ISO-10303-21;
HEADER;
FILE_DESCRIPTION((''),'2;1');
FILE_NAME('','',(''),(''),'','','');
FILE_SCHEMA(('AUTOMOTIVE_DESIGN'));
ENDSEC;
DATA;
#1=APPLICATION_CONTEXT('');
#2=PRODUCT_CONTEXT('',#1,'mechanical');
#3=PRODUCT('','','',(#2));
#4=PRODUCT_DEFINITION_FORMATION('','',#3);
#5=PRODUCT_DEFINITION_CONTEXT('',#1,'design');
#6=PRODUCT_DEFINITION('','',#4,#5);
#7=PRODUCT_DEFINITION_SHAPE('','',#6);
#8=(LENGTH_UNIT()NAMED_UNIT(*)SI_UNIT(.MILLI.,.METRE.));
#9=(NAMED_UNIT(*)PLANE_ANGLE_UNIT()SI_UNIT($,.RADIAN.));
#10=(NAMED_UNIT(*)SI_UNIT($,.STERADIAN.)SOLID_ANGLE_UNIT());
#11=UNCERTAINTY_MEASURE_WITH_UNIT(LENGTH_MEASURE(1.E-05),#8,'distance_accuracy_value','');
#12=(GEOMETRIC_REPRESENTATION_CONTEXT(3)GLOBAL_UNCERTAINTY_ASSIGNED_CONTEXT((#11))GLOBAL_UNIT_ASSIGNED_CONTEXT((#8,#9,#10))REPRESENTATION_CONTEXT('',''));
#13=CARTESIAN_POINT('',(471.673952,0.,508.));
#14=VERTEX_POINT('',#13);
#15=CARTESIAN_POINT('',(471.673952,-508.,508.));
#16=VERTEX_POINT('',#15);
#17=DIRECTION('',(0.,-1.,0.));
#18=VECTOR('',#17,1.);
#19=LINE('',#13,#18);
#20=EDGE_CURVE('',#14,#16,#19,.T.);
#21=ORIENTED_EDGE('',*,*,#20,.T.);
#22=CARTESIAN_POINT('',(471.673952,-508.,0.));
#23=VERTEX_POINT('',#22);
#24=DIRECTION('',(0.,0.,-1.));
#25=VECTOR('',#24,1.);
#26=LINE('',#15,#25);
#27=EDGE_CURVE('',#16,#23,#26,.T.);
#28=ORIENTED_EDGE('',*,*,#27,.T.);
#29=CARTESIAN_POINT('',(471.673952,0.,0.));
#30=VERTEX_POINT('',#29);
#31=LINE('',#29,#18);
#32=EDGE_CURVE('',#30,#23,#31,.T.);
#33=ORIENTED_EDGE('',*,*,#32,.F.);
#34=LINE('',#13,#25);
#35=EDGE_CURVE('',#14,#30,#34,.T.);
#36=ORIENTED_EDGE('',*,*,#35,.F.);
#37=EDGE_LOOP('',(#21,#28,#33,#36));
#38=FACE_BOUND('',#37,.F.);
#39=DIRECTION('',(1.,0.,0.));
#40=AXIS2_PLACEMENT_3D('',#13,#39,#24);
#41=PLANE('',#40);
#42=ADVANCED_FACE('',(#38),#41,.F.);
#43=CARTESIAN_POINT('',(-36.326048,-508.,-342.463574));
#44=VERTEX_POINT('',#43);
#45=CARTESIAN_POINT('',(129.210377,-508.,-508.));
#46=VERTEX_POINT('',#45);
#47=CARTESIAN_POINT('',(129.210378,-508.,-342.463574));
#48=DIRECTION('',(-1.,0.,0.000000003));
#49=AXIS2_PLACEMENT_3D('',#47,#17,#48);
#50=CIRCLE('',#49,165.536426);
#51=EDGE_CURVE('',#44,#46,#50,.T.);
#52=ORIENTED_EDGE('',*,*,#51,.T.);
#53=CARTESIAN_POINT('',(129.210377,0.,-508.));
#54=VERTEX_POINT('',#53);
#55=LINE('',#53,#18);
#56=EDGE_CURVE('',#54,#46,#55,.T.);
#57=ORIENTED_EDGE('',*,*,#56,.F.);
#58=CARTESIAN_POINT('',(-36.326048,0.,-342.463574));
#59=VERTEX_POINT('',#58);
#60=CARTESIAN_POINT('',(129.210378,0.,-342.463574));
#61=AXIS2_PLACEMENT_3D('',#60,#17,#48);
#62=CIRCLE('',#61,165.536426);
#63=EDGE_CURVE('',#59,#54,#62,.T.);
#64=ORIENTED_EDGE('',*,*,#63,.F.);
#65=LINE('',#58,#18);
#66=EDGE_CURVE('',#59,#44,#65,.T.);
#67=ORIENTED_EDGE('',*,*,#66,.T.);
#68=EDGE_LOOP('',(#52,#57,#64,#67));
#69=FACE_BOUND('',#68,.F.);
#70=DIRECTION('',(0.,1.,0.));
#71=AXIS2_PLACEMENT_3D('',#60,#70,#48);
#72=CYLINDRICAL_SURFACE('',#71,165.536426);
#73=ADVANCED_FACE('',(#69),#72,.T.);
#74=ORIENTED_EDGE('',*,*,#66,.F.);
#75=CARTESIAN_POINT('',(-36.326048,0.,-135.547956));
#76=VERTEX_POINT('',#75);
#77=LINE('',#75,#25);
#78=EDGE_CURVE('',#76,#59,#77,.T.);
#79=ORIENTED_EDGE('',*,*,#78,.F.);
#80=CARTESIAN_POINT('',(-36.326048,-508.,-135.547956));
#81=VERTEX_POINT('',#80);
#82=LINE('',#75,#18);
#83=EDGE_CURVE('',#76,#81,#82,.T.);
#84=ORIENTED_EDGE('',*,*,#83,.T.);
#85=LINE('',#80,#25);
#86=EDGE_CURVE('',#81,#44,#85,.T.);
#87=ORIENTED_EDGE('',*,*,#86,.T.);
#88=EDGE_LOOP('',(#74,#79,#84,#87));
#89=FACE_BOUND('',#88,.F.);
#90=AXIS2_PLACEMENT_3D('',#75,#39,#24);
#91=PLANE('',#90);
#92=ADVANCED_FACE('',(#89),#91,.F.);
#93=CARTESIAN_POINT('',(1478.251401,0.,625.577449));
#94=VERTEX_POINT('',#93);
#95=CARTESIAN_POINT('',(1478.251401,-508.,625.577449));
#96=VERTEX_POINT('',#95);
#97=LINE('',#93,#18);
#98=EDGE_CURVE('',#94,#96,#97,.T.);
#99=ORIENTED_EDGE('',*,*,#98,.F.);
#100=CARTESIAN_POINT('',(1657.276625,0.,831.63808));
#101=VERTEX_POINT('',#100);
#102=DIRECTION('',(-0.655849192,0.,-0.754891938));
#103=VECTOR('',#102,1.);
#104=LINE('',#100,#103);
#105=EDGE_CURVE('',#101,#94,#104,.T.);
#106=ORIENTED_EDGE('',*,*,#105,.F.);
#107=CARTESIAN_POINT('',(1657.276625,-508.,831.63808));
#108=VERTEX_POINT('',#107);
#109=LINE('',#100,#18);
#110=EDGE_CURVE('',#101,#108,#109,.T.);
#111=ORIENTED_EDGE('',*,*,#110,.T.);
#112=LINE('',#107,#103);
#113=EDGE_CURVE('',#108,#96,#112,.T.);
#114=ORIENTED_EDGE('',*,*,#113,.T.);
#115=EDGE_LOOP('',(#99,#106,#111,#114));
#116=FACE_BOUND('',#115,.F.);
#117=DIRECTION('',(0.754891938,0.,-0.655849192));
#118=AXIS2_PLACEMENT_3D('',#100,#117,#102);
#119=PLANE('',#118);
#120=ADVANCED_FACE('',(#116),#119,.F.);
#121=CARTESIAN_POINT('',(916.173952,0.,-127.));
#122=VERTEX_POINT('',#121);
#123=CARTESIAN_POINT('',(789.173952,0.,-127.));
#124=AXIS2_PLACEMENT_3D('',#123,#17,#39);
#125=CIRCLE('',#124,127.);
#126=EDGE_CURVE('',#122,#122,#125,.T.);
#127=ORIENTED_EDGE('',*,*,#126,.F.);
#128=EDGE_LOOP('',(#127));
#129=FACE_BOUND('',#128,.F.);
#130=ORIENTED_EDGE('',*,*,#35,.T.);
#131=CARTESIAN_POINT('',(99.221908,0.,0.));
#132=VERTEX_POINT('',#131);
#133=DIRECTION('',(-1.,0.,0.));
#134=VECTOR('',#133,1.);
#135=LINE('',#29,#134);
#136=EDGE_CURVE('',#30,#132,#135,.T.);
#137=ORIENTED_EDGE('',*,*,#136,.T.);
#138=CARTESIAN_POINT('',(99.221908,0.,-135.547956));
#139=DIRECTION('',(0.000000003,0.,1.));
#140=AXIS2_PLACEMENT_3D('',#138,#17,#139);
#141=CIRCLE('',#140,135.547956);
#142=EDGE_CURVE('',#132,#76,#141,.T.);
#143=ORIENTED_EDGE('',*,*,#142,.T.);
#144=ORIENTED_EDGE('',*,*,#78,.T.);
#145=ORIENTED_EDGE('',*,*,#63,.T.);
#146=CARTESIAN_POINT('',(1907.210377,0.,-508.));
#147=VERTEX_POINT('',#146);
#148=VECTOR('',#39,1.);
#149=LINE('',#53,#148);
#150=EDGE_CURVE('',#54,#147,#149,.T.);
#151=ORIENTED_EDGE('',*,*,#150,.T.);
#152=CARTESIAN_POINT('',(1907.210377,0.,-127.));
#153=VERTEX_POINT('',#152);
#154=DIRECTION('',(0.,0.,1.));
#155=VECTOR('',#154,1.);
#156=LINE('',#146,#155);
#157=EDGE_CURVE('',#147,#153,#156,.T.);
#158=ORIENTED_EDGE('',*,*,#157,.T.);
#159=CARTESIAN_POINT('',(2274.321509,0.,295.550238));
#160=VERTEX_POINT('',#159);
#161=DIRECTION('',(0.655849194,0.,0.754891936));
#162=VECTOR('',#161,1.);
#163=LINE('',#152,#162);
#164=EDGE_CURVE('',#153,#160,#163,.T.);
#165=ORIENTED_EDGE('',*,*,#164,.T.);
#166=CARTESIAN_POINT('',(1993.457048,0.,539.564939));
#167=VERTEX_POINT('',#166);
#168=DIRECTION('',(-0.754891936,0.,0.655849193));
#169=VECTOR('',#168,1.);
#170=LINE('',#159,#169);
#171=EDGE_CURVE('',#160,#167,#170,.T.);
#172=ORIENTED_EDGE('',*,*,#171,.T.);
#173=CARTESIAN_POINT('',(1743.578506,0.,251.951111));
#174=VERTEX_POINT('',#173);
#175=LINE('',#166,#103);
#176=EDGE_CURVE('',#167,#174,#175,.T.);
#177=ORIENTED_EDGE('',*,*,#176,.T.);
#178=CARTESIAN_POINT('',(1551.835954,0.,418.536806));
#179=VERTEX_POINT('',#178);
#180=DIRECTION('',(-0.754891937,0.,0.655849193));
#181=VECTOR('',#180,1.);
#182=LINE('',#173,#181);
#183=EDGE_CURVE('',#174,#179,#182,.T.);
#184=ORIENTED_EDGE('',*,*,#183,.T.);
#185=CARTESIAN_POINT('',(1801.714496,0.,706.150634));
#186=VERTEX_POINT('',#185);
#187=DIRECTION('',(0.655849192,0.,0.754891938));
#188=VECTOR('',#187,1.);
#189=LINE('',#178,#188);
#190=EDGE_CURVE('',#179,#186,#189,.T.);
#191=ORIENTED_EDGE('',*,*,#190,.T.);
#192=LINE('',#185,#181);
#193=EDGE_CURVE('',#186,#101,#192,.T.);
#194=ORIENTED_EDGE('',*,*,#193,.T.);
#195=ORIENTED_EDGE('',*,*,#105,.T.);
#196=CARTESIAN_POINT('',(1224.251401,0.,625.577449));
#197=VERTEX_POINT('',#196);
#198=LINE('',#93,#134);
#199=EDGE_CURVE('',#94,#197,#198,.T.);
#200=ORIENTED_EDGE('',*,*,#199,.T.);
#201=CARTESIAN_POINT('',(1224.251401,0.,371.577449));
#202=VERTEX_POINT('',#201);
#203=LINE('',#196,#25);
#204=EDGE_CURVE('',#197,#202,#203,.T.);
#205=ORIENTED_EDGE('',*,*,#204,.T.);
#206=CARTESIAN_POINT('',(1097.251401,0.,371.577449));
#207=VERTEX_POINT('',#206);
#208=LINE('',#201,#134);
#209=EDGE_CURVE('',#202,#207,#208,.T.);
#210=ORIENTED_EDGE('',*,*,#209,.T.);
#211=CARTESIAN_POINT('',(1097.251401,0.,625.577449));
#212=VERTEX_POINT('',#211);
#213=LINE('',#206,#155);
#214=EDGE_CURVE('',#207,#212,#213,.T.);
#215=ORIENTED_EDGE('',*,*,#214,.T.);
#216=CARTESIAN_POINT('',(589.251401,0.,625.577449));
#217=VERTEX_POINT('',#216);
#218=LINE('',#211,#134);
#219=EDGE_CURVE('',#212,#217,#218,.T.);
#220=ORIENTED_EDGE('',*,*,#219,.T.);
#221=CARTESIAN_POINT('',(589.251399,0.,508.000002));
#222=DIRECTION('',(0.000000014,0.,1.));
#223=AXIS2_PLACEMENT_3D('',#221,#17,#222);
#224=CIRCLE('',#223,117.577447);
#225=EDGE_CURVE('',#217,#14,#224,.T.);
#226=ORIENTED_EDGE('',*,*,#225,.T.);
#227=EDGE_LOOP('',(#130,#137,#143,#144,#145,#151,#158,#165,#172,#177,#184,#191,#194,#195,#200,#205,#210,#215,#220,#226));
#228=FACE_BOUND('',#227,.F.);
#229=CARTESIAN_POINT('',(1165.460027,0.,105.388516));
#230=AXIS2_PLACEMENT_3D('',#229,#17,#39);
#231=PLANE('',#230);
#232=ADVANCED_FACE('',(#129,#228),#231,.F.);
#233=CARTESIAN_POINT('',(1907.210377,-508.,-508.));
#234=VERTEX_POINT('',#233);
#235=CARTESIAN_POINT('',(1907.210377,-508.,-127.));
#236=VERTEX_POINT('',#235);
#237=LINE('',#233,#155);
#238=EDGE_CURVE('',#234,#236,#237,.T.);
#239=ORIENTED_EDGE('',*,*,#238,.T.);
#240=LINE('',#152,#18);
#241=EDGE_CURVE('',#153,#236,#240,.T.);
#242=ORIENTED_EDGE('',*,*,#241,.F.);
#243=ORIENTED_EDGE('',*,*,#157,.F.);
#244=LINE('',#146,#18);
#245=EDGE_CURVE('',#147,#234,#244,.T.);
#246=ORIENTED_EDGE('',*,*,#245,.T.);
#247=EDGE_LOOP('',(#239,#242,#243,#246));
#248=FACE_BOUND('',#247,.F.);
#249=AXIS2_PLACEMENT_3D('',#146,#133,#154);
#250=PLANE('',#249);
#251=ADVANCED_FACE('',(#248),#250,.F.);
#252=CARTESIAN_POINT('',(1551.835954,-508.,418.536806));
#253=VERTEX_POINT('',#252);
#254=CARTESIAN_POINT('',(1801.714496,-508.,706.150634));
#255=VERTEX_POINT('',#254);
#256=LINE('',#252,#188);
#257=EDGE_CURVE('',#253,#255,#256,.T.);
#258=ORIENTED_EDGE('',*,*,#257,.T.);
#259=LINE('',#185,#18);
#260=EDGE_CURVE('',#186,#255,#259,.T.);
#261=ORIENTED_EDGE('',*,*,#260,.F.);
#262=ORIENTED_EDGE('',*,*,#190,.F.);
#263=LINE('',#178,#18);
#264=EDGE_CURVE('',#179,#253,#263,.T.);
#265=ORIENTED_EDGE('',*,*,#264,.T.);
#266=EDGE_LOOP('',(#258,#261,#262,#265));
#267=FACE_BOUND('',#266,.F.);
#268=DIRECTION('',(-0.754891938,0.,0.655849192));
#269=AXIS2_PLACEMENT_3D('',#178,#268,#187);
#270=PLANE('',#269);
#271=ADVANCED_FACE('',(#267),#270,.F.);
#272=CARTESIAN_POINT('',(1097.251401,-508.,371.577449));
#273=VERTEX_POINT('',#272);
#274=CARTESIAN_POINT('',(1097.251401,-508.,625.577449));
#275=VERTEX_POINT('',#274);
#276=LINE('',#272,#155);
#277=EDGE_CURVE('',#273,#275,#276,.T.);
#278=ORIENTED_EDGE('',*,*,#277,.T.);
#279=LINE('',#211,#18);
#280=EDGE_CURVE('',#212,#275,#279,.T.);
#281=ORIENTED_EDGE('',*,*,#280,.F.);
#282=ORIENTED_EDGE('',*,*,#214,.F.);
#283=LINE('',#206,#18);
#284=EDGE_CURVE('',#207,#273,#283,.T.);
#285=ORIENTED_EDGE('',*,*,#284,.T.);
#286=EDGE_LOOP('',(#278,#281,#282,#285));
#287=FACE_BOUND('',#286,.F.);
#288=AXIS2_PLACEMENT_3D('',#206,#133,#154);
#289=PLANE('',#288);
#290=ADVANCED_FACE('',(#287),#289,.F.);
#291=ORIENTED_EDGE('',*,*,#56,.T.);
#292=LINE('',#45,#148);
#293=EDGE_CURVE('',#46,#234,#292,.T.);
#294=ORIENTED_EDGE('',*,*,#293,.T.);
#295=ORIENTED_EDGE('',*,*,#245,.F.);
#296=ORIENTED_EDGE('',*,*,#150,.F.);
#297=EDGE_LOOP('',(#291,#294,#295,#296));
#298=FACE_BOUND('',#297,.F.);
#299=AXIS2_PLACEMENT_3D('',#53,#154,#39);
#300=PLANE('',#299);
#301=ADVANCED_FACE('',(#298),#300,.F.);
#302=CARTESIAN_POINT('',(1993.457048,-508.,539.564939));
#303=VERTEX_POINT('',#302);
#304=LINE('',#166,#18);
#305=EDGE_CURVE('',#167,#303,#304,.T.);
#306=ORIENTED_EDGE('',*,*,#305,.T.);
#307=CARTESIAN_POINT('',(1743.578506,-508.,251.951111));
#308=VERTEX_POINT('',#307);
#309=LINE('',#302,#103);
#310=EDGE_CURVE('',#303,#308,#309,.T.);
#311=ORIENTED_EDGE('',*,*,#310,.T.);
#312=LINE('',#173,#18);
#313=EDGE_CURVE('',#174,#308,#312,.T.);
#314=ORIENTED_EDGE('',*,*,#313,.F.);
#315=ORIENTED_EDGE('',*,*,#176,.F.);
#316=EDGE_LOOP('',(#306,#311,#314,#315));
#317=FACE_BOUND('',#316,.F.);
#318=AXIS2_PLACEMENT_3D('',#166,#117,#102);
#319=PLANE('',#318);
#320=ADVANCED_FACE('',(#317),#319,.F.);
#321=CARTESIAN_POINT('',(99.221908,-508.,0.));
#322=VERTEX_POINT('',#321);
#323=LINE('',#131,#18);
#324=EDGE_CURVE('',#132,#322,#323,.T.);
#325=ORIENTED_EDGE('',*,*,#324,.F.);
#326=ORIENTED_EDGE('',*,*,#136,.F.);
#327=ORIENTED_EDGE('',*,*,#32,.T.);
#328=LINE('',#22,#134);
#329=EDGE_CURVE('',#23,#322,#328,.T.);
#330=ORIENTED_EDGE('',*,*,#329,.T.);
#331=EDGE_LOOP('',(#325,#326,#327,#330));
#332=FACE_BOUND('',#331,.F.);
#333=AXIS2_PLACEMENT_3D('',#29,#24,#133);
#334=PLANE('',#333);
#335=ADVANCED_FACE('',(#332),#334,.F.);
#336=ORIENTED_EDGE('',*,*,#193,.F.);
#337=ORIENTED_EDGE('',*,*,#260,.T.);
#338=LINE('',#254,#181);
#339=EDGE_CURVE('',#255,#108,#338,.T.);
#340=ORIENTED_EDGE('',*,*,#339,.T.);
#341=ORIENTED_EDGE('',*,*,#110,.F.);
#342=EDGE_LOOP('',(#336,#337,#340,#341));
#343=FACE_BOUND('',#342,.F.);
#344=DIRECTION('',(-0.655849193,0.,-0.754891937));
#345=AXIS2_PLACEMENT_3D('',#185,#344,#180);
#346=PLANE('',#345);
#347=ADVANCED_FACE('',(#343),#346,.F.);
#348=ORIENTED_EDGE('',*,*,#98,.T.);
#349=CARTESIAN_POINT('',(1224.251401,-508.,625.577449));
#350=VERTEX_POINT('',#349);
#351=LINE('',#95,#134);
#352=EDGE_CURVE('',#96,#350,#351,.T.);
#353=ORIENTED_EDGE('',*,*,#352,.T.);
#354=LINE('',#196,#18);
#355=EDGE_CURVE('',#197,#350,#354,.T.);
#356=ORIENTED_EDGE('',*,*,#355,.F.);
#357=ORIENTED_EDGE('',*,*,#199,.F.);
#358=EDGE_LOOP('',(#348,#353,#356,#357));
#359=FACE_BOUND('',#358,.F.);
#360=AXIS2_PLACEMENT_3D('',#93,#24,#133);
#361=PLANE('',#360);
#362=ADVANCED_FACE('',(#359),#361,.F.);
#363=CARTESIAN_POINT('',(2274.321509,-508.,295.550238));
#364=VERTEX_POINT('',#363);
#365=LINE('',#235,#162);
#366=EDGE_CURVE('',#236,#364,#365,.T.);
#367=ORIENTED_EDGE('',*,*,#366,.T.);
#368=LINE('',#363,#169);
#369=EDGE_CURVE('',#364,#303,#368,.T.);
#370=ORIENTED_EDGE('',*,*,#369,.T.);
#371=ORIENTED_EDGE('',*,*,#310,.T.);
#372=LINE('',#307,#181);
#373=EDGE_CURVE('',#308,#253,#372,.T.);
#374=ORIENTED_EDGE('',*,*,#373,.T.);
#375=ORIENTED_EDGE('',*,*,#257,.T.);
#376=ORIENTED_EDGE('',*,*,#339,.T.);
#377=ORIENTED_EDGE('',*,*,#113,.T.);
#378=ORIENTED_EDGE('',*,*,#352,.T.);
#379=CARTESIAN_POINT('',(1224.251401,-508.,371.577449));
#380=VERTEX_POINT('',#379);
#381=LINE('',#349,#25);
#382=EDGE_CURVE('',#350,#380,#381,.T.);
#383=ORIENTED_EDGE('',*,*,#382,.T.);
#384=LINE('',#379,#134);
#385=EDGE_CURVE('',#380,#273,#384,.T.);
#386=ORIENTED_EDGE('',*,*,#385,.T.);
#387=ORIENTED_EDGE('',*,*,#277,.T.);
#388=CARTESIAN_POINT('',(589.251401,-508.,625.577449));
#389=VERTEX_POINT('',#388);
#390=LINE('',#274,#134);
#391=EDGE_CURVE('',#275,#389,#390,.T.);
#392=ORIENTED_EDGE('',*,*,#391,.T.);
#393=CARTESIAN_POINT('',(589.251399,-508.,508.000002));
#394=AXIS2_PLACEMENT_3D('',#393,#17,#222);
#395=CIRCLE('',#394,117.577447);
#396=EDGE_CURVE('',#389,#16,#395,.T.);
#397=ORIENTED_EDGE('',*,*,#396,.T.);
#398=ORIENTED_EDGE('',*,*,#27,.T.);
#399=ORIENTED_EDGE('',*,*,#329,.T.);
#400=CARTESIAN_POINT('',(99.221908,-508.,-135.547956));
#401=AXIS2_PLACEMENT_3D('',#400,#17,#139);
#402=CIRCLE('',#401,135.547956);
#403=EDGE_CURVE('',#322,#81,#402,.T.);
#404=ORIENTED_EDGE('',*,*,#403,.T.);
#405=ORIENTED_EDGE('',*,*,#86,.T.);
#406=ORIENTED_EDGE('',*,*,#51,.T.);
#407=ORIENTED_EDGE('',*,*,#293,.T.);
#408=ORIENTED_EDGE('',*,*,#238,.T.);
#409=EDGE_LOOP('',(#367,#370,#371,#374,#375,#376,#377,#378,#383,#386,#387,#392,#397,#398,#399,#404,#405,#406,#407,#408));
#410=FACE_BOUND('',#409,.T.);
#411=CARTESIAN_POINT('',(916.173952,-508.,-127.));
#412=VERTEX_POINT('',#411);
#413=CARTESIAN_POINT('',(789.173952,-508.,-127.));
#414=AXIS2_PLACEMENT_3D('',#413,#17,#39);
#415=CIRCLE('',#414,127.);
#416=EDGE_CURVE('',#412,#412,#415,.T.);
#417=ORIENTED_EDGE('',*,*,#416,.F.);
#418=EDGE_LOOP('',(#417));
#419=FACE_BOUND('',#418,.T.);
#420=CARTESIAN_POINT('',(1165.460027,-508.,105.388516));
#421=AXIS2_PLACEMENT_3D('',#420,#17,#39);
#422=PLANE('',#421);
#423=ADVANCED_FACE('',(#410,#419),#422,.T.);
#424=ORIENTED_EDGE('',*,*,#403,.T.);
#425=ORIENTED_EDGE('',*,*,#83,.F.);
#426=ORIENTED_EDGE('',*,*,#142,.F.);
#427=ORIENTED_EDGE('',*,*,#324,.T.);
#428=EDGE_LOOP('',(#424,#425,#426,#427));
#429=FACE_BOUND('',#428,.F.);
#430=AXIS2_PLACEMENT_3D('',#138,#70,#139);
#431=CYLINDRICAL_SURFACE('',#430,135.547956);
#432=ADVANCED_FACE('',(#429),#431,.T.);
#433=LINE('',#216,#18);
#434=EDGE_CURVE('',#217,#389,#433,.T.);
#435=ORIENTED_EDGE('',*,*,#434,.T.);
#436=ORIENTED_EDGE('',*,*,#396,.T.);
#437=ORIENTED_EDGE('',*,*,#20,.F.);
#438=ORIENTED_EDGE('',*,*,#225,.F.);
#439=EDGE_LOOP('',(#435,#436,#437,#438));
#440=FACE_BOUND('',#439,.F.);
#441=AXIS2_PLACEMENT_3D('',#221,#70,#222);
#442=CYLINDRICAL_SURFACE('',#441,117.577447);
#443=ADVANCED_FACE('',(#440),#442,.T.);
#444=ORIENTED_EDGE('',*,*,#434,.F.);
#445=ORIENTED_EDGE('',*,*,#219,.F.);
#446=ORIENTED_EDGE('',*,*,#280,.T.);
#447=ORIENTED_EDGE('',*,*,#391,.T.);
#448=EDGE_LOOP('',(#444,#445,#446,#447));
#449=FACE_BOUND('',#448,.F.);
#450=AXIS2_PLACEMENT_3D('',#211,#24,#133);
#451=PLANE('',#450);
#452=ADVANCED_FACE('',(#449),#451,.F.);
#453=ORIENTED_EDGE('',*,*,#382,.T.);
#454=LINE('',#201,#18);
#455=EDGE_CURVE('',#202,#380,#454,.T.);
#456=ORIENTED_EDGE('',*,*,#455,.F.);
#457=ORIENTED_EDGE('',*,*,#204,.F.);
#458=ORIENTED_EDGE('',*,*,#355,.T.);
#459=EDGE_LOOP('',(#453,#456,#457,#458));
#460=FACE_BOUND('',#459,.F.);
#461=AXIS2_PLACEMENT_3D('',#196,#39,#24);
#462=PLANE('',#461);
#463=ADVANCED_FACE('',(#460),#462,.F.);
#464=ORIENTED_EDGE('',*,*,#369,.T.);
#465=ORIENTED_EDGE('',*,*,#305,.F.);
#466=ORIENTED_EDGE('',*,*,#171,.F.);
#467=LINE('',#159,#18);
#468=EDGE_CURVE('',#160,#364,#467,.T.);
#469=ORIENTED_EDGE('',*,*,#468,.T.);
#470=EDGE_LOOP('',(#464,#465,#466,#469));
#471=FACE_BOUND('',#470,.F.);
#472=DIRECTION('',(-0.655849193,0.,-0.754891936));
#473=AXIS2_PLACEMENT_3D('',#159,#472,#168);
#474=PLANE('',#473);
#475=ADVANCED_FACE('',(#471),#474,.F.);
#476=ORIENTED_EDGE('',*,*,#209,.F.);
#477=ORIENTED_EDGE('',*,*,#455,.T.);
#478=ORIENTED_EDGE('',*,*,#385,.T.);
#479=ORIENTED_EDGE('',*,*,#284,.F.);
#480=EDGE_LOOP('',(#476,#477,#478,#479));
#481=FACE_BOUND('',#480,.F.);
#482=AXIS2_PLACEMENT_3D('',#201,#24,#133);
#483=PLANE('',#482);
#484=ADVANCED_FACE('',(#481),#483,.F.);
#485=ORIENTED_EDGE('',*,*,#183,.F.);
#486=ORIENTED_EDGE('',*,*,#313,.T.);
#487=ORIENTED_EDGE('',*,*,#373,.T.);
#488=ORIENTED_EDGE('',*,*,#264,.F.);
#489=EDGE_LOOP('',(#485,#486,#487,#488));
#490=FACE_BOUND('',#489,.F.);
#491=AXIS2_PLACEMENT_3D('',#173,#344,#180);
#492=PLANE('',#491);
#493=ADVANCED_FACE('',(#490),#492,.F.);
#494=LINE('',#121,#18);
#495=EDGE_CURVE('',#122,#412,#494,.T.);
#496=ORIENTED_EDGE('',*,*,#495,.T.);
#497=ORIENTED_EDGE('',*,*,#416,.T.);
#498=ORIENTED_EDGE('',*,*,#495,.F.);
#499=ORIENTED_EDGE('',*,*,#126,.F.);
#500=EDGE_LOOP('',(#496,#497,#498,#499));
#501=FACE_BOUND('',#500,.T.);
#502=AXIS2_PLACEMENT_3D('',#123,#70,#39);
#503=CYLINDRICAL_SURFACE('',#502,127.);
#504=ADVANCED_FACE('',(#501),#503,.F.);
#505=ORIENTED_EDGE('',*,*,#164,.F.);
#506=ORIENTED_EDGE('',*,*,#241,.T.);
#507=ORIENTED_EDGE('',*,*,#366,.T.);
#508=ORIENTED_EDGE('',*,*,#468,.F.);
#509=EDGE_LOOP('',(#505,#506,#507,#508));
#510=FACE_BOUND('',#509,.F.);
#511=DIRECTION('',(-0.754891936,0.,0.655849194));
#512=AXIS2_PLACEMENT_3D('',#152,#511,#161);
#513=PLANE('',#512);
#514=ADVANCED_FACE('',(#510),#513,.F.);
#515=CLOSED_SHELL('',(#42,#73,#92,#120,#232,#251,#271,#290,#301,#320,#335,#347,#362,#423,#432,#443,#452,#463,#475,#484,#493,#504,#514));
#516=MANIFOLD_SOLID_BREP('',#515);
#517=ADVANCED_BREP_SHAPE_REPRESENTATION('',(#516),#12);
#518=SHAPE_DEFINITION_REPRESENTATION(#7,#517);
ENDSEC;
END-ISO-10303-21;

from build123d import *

# Parameters (mm, degrees)
F0_R     = 127
F1_DEPTH = 508


with BuildPart() as f1:
    # F0 (on Front) → F1 (new body)
    with BuildSketch(Plane.XZ):
        with BuildLine():
            ThreePointArc((99.221908, 0), (3.375029, -39.701077), (-36.326048, -135.547956))
            Line((-36.326048, -135.547956), (-36.326048, -342.463574))
            ThreePointArc((-36.326048, -342.463574), (12.158448, -459.515503), (129.210377, -508))
            Line((129.210377, -508), (1907.210377, -508))
            Line((1907.210377, -508), (1907.210377, -127))
            Line((1907.210377, -127), (2274.321509, 295.550238))
            Line((2274.321509, 295.550238), (1993.457048, 539.564939))
            Line((1993.457048, 539.564939), (1743.578506, 251.951111))
            Line((1743.578506, 251.951111), (1551.835954, 418.536806))
            Line((1551.835954, 418.536806), (1801.714496, 706.150634))
            Line((1801.714496, 706.150634), (1657.276625, 831.63808))
            Line((1657.276625, 831.63808), (1478.251401, 625.577449))
            Line((1478.251401, 625.577449), (1224.251401, 625.577449))
            Line((1224.251401, 625.577449), (1224.251401, 371.577449))
            Line((1224.251401, 371.577449), (1097.251401, 371.577449))
            Line((1097.251401, 371.577449), (1097.251401, 625.577449))
            Line((1097.251401, 625.577449), (589.251401, 625.577449))
            ThreePointArc((589.251401, 625.577449), (506.111589, 591.139812), (471.673952, 508))
            Line((471.673952, 508), (471.673952, 0))
            Line((471.673952, 0), (99.221908, 0))
        make_face()
        with Locations((789.173952, -127)):
            Circle(F0_R, mode=Mode.SUBTRACT)
    extrude(amount=F1_DEPTH)


solid = f1.part
